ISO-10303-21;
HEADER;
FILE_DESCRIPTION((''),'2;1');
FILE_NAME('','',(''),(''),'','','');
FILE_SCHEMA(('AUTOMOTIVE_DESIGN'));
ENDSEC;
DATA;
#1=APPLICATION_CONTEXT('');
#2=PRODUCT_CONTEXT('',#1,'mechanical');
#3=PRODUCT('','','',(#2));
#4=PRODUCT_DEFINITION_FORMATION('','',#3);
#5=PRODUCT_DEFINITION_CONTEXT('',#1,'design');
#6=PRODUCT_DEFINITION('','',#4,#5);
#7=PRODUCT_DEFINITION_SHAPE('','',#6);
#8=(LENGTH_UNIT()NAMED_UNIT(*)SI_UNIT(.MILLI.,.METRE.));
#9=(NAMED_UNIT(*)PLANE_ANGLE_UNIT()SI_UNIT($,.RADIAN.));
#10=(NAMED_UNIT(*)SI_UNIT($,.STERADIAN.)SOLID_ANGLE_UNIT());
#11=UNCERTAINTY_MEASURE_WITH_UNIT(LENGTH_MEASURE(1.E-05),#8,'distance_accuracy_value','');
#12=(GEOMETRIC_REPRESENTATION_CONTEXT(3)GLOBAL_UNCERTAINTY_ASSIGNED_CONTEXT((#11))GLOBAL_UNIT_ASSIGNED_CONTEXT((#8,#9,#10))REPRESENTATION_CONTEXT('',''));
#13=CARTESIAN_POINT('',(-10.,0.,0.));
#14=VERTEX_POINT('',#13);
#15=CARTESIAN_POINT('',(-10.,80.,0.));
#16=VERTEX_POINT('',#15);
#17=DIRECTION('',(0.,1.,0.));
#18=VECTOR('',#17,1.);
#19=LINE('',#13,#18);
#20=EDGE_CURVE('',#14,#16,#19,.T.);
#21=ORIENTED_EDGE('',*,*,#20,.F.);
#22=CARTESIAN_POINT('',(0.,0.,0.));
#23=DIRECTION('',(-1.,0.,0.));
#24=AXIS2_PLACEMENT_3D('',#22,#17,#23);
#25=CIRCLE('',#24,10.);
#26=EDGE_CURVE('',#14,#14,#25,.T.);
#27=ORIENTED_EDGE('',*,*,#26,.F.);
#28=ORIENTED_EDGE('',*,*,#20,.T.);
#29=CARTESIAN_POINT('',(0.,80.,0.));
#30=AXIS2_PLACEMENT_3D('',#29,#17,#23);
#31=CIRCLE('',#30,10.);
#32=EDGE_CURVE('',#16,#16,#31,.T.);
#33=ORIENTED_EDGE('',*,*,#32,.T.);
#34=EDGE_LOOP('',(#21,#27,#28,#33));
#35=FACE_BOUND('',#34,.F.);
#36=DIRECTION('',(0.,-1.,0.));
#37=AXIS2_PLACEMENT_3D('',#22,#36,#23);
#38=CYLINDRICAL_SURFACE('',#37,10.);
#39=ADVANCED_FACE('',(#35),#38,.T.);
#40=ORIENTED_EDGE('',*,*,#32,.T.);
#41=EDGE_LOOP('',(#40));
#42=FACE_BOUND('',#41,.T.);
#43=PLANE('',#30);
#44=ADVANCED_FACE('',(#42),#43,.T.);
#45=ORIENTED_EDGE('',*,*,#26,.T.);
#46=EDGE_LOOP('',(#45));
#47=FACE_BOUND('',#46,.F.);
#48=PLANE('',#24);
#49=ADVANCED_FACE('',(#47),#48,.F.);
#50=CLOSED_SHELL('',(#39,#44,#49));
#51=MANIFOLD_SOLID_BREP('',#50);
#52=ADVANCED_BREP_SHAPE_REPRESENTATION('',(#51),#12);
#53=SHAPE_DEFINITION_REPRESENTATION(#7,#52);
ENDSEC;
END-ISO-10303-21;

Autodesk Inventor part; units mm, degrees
ref_plane "YZ Plane" through (0, 0, 0) normal (1, 0, 0) x (0, 1, 0)
ref_plane "XZ Plane" through (0, 0, 0) normal (0, 1, 0) x (-1, 0, 0)
ref_plane "XY Plane" through (0, 0, 0) normal (0, 0, 1) x (1, 0, 0)
sketch "Sketch1" plane through (0, 0, 0) normal (0, 1, 0) x (-1, 0, 0)
  circle A0 centre (0, 0) radius 10
  dimension "d0" = 20
extrude "Extrusion1" add sketch "Sketch1" along normal blind 80
properties part number "Dribbler Barrel"
